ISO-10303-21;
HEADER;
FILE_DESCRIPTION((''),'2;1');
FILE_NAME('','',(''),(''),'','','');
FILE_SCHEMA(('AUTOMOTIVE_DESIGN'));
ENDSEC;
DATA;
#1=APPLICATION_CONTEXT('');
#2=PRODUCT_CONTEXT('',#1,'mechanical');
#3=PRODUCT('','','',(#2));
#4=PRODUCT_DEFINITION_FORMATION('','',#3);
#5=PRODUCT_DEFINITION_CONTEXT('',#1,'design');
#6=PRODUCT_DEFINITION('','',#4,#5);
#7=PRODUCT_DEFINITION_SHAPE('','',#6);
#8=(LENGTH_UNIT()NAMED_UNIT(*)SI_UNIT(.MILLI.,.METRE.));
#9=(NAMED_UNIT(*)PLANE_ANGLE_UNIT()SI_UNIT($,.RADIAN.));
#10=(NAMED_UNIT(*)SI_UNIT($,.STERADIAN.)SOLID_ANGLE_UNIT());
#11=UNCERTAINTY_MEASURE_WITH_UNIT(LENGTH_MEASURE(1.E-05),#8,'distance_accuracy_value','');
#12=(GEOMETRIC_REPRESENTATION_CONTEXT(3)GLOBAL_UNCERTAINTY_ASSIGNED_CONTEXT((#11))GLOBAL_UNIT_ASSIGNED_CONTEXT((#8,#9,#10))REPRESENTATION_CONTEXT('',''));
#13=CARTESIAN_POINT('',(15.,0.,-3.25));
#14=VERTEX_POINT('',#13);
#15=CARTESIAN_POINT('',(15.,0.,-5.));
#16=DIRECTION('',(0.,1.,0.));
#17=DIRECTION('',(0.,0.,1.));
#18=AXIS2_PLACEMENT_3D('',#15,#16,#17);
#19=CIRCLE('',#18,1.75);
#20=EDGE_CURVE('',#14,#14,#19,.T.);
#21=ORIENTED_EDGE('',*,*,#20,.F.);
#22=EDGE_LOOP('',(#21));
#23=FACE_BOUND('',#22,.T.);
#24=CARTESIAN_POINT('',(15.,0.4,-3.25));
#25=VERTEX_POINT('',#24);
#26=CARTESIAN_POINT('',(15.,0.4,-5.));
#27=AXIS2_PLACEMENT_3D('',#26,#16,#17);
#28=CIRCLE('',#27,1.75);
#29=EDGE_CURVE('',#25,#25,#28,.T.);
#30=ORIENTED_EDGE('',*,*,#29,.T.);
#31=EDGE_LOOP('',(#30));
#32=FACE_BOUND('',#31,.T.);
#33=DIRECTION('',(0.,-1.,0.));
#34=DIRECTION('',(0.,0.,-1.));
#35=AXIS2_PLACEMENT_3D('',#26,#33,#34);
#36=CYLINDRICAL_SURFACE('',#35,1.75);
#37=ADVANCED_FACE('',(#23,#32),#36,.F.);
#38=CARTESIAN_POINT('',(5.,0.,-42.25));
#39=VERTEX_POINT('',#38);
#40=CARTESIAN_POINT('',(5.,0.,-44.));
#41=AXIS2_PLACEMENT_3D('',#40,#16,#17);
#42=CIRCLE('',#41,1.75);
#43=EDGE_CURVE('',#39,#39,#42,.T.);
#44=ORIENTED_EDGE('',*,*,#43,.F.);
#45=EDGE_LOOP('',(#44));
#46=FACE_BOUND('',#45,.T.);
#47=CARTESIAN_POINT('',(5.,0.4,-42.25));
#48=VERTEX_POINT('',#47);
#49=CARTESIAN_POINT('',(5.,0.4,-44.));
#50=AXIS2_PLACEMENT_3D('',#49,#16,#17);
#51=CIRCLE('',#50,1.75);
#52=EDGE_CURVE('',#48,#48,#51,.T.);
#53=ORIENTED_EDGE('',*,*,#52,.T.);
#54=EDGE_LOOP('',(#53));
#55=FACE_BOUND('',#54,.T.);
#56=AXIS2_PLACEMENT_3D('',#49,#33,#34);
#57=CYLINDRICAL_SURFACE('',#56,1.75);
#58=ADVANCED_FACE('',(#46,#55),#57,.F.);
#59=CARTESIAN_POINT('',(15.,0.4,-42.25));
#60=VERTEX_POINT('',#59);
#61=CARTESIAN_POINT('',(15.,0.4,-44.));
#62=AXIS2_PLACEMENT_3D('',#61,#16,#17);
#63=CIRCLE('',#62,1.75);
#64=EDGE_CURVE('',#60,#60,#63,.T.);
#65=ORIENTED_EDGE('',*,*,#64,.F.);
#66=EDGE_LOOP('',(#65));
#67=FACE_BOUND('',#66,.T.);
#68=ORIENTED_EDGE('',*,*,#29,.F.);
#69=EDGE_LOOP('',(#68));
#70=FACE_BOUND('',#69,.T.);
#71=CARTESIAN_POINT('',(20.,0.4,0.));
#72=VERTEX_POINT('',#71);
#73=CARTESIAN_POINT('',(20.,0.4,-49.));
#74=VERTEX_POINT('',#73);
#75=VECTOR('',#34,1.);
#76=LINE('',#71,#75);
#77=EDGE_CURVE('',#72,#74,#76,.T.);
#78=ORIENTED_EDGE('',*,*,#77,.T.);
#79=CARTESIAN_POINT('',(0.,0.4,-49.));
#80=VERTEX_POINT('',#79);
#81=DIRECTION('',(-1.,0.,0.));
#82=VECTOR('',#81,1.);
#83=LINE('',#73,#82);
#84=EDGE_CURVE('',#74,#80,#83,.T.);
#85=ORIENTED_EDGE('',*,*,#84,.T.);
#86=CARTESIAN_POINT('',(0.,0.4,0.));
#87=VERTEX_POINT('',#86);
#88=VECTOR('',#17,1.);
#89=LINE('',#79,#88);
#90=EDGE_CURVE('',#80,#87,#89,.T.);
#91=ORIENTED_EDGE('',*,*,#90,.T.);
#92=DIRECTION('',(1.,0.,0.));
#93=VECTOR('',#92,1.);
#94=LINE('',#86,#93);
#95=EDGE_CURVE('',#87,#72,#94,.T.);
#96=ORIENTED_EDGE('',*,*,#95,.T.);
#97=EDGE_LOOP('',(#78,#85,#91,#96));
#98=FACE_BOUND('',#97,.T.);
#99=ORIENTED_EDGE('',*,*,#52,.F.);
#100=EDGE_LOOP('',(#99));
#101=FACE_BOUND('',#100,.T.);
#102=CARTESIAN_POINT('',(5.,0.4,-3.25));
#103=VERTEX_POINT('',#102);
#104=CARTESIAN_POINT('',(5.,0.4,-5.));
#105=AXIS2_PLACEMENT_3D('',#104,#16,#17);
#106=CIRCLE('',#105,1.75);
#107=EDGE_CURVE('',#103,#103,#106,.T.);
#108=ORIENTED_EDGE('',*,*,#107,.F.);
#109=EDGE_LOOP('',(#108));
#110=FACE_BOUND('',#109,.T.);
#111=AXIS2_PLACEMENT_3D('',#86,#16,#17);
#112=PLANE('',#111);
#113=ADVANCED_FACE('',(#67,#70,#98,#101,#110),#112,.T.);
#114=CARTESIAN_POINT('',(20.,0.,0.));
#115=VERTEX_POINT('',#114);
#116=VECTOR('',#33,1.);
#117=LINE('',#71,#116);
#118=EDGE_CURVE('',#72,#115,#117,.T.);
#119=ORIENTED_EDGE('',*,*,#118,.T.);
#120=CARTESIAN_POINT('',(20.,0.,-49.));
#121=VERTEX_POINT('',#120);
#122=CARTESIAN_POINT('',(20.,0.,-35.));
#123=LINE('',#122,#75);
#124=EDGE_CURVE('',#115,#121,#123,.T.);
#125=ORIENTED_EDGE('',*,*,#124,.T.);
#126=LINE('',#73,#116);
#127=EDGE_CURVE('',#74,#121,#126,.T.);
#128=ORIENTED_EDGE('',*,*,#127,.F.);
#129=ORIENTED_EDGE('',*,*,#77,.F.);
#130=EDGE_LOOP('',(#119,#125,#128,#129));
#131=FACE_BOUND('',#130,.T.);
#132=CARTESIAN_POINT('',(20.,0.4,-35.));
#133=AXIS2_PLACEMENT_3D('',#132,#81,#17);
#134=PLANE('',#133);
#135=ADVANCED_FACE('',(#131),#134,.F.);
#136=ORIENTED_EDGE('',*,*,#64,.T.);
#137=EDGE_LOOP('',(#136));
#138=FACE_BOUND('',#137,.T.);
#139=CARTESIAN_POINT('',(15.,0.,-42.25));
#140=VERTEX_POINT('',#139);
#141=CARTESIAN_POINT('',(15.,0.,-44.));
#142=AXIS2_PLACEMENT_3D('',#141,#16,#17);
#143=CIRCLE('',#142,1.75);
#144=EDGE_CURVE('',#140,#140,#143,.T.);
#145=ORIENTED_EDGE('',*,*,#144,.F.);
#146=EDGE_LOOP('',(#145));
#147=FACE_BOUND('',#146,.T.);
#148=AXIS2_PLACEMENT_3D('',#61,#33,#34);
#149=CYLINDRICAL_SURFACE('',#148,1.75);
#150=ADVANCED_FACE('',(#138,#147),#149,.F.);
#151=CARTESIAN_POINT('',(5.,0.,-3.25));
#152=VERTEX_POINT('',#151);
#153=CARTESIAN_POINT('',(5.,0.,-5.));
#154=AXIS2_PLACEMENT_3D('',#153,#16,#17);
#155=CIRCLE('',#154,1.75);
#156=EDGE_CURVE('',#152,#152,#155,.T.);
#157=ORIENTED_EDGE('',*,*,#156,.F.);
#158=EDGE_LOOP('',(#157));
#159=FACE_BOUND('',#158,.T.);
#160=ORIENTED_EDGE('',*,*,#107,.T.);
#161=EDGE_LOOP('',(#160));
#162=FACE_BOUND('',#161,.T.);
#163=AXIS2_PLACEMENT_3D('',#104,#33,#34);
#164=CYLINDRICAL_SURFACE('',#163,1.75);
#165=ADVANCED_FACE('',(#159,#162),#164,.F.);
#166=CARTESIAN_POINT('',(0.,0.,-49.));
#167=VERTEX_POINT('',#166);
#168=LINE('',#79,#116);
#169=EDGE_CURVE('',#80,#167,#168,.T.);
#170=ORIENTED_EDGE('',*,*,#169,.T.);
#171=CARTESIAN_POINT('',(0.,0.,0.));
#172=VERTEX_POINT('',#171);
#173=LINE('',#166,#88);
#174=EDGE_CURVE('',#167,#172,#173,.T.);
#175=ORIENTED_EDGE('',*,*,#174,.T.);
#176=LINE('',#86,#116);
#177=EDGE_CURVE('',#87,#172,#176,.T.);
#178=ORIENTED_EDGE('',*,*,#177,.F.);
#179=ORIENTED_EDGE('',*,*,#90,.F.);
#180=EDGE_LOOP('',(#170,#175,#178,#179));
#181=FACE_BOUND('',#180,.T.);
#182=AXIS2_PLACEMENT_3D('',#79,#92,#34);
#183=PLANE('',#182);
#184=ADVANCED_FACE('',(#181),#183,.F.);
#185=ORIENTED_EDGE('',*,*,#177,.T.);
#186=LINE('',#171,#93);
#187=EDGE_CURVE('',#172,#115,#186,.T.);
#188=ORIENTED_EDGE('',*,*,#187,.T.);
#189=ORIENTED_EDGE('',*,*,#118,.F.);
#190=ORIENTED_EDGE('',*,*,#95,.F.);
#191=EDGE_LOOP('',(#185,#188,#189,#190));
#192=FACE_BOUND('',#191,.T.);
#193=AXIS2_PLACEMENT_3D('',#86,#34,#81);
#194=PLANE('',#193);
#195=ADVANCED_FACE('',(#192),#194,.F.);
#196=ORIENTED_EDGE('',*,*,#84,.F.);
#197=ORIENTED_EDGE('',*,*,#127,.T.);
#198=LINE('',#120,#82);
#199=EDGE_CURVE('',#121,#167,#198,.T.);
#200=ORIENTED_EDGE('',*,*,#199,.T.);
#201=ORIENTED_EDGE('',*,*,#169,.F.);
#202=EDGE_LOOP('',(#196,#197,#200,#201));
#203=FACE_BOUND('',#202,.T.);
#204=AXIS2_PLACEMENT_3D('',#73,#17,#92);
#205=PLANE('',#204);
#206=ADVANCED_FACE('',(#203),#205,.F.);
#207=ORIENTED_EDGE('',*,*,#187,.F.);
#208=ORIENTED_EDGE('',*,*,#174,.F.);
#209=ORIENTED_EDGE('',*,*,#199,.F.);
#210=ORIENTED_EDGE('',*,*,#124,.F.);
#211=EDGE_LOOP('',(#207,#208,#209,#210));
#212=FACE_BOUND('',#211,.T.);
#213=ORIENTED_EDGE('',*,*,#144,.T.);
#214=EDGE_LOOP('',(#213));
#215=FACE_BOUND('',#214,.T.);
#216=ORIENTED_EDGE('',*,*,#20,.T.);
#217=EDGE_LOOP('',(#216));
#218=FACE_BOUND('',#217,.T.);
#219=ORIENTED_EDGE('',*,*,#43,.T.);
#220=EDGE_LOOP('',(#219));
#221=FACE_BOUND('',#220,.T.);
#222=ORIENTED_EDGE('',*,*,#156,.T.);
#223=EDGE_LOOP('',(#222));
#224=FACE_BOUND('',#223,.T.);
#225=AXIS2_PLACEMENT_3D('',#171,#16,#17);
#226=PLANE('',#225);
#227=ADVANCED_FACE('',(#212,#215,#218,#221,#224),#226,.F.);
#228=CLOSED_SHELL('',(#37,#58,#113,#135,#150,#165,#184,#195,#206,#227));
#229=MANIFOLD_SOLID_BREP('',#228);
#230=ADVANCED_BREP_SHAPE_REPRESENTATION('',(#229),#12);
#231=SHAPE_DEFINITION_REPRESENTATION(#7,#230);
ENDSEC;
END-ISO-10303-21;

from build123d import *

# Parameters (mm, degrees)
SKETCH1_R           = 1.75
BOSS_EXTRUDE1_DEPTH = 0.4


with BuildPart() as part:
    # Sketch1 → Boss-Extrude1 (new body)
    with BuildSketch(Plane(origin=(0, 0, 0), x_dir=(1, 0, 0), z_dir=(0, 1, 0))):
        Polygon((0, 0), (20, 0), (20, 10), (20, 35), (20, 49), (0, 49), align=None)
        with Locations(Location((5, 44, 0), (0, 0, 270))):
            Circle(SKETCH1_R, mode=Mode.SUBTRACT)
        with Locations(Location((15, 44, 0), (0, 0, 270))):
            Circle(SKETCH1_R, mode=Mode.SUBTRACT)
        with Locations(Location((15, 5, 0), (0, 0, 270))):
            Circle(SKETCH1_R, mode=Mode.SUBTRACT)
        with Locations(Location((5, 5, 0), (0, 0, 270))):
            Circle(SKETCH1_R, mode=Mode.SUBTRACT)
    extrude(amount=BOSS_EXTRUDE1_DEPTH)


solid = part.part
